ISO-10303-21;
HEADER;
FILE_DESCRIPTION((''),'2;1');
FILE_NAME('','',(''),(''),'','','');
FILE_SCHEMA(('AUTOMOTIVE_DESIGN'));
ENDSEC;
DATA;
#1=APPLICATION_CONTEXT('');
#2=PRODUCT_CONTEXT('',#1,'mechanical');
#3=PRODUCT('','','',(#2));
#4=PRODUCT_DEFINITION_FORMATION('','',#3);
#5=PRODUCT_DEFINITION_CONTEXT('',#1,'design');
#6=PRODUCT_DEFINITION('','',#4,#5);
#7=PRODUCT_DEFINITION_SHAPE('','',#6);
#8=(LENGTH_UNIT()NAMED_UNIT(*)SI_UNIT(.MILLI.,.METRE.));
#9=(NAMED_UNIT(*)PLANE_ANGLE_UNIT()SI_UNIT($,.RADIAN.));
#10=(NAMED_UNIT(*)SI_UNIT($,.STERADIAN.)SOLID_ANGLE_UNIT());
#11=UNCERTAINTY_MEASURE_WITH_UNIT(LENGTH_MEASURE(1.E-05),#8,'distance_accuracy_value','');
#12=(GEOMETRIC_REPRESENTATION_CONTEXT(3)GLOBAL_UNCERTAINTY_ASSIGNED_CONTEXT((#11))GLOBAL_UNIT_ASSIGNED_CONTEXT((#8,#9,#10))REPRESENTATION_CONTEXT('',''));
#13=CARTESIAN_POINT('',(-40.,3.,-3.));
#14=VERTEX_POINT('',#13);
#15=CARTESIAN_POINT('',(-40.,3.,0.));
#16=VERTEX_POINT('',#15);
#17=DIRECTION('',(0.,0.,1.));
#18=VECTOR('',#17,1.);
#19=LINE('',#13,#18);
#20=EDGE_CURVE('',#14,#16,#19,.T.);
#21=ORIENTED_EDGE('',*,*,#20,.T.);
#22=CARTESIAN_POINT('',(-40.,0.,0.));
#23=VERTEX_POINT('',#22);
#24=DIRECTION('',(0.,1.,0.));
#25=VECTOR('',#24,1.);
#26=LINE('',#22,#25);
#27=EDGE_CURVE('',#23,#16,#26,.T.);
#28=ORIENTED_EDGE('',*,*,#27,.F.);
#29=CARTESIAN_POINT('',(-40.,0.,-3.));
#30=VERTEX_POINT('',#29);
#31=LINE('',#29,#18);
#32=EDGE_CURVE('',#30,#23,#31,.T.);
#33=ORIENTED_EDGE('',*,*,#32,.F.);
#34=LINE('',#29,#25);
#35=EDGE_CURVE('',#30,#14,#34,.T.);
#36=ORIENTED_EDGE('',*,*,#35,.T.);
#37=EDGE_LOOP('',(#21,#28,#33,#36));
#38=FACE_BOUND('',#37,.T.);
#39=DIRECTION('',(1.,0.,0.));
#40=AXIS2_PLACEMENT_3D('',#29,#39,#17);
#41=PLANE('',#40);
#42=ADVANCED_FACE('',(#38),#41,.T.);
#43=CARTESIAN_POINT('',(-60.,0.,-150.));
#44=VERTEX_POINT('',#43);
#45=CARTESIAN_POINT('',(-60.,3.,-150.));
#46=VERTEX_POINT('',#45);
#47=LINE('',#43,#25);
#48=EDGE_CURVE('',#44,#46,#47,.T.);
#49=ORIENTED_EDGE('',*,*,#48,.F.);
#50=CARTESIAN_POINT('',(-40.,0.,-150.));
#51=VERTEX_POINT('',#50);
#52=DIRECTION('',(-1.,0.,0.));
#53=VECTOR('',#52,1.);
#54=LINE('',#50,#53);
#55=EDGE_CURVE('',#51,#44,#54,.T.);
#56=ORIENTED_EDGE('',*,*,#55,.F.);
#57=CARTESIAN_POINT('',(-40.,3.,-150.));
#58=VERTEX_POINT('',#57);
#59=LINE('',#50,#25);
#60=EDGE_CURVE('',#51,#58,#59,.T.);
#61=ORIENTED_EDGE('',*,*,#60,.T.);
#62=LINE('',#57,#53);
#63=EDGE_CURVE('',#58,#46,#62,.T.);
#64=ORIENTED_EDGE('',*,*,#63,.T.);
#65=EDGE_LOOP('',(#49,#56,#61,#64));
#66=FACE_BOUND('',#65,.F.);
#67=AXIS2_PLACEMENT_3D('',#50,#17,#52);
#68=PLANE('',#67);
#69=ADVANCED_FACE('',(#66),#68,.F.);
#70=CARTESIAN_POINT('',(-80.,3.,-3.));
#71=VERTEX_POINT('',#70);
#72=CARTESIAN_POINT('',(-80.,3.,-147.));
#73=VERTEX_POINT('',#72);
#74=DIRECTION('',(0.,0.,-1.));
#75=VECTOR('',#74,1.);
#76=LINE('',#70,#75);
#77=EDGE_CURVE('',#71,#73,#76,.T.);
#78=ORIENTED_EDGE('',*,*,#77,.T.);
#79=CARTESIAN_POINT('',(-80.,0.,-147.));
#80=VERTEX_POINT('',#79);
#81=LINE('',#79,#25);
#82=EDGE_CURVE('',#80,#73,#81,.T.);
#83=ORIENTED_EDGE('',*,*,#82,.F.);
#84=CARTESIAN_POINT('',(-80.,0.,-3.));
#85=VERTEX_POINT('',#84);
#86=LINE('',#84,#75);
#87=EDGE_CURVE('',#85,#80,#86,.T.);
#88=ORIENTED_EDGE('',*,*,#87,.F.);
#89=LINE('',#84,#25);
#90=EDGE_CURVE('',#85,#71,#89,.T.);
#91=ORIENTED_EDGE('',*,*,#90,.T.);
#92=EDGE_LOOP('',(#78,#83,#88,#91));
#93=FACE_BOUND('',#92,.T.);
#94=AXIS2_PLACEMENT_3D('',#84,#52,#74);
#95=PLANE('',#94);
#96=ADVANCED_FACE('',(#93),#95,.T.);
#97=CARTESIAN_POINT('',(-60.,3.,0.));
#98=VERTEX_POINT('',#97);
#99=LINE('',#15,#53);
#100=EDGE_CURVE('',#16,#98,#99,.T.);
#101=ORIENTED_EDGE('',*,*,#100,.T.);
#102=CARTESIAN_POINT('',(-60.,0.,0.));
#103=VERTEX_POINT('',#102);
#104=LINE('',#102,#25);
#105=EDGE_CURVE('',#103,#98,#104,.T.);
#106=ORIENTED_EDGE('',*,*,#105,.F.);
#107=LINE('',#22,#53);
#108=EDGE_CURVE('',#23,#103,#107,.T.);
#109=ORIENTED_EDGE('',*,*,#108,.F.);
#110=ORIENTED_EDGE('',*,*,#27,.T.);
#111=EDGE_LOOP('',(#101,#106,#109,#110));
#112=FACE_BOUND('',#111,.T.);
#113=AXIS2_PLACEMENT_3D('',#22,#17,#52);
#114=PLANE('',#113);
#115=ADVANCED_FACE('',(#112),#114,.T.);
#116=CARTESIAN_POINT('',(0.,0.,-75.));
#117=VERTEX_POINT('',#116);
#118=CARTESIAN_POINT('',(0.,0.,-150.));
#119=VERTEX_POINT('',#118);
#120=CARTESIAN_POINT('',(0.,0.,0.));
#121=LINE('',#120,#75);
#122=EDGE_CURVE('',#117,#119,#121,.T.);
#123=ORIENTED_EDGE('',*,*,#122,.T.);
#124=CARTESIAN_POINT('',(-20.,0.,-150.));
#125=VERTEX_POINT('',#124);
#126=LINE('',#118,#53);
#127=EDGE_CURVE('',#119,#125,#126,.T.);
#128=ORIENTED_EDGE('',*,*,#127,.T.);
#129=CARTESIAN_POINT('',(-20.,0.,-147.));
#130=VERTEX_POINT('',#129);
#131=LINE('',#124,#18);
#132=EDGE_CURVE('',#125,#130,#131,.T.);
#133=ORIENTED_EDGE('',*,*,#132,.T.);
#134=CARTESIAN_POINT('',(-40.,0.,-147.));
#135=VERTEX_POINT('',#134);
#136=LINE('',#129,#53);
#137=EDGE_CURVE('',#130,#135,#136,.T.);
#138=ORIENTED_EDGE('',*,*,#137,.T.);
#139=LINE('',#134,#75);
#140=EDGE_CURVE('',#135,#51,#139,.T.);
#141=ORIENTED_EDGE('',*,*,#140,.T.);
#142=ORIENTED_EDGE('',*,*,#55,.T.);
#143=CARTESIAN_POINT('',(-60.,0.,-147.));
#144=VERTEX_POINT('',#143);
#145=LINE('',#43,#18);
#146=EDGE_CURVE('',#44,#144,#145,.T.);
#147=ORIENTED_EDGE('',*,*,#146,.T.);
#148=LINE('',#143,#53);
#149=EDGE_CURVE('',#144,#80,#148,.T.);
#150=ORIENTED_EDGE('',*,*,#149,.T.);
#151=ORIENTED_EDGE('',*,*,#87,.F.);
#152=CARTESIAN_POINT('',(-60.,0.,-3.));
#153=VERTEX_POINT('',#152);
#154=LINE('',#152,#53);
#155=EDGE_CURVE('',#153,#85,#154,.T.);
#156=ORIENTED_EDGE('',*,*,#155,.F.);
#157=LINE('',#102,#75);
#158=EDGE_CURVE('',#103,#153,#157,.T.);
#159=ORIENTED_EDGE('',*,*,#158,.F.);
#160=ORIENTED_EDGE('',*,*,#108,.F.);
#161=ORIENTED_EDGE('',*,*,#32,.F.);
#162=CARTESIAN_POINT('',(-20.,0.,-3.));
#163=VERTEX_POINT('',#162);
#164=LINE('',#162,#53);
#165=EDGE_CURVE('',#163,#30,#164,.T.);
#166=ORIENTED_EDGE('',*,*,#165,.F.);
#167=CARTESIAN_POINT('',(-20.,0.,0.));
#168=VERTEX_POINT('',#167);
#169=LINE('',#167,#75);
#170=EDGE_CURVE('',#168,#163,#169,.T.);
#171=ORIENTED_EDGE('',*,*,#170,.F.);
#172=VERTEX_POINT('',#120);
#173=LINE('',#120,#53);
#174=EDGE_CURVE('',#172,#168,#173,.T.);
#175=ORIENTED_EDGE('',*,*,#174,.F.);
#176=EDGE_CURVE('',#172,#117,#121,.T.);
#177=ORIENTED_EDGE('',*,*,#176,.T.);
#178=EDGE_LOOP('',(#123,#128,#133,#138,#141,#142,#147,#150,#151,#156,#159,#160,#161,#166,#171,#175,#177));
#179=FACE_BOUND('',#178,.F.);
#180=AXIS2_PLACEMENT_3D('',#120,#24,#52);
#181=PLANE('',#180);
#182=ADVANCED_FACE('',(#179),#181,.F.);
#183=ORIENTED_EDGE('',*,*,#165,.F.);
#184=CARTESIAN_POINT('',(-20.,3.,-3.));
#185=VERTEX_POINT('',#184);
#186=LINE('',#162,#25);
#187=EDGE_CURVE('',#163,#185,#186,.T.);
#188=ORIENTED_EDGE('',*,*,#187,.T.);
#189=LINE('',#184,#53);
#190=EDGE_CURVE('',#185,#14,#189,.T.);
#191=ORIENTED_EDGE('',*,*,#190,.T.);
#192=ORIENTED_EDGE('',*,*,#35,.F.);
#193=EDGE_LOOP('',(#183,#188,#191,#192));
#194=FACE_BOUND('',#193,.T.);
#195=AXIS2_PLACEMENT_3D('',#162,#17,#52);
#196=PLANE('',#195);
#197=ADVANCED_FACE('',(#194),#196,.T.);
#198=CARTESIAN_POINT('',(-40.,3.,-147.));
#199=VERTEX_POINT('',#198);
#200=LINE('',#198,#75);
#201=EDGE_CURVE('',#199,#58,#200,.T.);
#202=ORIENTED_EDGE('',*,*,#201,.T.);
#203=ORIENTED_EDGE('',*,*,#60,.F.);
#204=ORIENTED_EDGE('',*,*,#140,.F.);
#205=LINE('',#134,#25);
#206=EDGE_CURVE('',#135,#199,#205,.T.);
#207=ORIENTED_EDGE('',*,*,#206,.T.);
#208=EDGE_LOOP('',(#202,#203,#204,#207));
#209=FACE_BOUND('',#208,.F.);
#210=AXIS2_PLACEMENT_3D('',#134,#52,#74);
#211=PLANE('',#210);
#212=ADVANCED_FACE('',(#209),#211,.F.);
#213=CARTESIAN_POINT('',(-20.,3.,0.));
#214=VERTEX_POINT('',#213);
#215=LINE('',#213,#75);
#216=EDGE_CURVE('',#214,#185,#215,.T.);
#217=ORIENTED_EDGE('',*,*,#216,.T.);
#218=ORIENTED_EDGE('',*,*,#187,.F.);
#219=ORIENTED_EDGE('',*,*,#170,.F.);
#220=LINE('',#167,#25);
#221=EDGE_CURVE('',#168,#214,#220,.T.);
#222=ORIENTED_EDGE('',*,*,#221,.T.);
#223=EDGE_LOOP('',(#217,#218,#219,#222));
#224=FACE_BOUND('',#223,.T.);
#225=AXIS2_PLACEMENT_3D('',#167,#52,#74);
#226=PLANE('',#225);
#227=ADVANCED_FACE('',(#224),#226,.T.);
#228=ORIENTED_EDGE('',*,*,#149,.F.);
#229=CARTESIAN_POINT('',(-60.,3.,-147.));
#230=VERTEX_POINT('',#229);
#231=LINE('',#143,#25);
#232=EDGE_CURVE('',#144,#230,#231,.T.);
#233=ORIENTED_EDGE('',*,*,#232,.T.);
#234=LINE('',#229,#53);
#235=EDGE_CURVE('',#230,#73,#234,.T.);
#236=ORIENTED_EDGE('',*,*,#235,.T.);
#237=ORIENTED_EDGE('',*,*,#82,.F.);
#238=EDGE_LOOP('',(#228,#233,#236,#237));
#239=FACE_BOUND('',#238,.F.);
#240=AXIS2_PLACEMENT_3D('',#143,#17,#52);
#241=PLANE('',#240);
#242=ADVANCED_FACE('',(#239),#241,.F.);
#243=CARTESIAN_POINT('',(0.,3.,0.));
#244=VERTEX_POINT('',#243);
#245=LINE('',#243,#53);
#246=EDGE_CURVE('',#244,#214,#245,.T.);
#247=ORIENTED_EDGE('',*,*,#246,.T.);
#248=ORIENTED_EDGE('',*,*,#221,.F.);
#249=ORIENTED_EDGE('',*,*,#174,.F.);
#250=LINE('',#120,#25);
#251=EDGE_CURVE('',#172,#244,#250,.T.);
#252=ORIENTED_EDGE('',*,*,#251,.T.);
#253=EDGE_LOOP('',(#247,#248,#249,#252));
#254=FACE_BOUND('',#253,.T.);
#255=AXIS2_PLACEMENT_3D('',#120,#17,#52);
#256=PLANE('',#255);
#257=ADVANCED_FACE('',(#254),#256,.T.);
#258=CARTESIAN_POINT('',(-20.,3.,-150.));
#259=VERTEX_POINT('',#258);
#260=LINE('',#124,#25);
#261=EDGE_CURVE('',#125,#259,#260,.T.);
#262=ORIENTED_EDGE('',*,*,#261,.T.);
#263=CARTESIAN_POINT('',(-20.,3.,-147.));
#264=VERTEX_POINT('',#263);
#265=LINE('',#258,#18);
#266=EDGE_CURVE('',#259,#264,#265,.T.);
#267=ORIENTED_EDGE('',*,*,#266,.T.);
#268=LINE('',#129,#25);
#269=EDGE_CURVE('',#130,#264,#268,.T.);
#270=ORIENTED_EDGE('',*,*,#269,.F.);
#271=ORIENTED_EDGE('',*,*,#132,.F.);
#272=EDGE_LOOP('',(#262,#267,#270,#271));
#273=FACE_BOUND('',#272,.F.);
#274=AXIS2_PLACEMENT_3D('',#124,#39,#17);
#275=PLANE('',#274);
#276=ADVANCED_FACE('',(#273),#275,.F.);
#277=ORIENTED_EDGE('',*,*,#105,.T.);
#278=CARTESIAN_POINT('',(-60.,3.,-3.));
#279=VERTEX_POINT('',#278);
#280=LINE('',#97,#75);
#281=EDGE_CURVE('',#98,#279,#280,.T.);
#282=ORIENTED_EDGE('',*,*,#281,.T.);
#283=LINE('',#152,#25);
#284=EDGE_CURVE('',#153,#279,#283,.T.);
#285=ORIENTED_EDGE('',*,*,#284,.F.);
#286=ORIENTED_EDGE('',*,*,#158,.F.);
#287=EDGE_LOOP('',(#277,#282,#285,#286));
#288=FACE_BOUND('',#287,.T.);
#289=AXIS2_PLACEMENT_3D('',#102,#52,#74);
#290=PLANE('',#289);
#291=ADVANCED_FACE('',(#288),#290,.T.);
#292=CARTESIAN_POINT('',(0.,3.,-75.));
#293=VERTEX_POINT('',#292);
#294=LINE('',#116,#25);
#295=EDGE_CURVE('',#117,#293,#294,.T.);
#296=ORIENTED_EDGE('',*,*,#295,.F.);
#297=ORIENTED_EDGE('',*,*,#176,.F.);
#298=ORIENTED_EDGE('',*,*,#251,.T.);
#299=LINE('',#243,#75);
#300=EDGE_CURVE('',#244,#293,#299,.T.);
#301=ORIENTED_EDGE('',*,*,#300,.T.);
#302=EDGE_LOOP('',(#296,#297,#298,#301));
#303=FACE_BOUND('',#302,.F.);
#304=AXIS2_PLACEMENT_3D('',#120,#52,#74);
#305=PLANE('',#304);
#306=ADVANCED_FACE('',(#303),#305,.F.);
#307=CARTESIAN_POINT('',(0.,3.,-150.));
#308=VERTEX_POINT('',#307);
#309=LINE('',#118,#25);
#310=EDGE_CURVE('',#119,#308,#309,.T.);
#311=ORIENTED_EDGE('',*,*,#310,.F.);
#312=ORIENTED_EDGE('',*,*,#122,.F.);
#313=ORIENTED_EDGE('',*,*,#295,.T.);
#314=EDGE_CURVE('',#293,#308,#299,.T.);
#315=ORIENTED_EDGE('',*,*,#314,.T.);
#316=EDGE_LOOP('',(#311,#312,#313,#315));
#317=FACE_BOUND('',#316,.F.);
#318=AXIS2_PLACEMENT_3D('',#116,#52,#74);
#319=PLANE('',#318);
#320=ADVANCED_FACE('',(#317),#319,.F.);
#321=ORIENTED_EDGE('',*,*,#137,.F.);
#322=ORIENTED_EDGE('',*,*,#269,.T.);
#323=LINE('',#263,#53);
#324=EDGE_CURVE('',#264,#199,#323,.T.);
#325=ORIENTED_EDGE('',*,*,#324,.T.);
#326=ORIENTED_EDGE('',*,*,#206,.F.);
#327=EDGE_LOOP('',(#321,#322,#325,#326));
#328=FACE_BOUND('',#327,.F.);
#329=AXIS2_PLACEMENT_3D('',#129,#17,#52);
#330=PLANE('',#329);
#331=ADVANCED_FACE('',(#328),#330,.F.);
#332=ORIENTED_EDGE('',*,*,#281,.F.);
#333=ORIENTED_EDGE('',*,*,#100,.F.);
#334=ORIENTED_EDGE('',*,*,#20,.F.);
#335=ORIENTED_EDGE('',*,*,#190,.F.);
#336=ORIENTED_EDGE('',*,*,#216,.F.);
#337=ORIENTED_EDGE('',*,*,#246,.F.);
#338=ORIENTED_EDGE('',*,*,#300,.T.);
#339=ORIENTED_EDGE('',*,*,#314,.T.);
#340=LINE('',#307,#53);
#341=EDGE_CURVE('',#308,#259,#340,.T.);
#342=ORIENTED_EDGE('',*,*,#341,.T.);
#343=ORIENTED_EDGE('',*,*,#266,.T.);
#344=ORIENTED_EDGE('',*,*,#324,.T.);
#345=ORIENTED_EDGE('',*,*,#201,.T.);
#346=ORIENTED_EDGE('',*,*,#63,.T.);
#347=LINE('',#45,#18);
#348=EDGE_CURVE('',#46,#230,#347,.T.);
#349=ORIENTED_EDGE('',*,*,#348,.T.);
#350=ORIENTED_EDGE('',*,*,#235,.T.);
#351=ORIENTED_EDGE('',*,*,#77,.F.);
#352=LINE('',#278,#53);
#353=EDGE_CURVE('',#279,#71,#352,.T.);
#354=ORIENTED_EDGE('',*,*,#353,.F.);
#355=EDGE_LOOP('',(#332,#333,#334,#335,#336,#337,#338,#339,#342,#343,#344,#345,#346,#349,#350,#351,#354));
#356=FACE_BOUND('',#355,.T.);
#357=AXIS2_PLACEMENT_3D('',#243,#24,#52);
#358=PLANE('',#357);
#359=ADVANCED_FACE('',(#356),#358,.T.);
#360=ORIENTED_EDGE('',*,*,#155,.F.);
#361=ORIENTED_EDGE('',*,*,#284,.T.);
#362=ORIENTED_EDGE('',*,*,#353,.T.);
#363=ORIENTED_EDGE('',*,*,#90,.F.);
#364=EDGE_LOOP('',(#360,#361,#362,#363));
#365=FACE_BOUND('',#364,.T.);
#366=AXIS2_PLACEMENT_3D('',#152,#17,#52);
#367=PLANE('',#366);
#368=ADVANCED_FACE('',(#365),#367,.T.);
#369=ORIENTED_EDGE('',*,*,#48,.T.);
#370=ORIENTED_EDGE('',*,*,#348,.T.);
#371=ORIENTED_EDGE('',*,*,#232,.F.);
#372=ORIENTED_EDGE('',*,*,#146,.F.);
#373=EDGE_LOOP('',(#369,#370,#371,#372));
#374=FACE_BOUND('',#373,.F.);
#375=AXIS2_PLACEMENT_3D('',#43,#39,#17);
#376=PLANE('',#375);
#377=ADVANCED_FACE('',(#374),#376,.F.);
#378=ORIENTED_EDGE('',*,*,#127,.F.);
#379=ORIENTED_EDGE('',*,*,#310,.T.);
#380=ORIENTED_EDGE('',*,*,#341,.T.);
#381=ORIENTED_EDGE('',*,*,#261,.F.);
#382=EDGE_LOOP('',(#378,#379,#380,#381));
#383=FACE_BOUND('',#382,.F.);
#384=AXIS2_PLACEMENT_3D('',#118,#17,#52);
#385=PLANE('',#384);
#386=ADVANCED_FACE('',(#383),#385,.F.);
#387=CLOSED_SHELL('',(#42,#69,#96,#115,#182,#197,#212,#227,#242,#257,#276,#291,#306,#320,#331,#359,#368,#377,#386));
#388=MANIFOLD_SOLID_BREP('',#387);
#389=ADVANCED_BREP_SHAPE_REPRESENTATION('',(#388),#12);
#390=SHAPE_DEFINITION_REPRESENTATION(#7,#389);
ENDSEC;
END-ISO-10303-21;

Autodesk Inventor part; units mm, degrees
ref_plane "YZ Plane" through (0, 0, 0) normal (1, 0, 0) x (0, 1, 0)
ref_plane "XZ Plane" through (0, 0, 0) normal (0, 1, 0) x (-1, 0, 0)
ref_plane "XY Plane" through (0, 0, 0) normal (0, 0, 1) x (1, 0, 0)
sketch "Sketch1" plane through (0, 0, 0) normal (0, 1, 0) x (-1, 0, 0)
  line L0 (0, 0) -> (0, -150)
  line L1 (0, 0) -> (20, 0)
  line L2 (20, 0) -> (20, -3)
  line L3 (20, -3) -> (40, -3)
  line L4 (40, -3) -> (40, 0)
  line L5 (40, 0) -> (60, 0)
  line L6 (60, 0) -> (60, -3)
  line L7 (60, -3) -> (80, -3)
  line L8 (0, -75) -> (20, -75)
  line L9 (0, -150) -> (20, -150)
  line L10 (20, -150) -> (20, -147)
  line L11 (20, -147) -> (40, -147)
  line L12 (40, -147) -> (40, -150)
  line L13 (40, -150) -> (60, -150)
  line L14 (60, -150) -> (60, -147)
  line L15 (60, -147) -> (80, -147)
  line L16 (80, -3) -> (80, -147)
  dimension "d0" = 150
  dimension "d1" = 20
  dimension "d2" = 3
  dimension "d3" = 20
  dimension "d4" = 3
  dimension "d5" = 20
  dimension "d6" = 20
  dimension "d8" = 20
extrude "Extrusion1" add sketch "Sketch1" along normal blind 3
ref_plane "Work Plane1" through (-60, 0, -75) normal (0, 0, 1) x (1, 0, 0)
properties part number "base prt 1 N" material "ABS Plastic"
